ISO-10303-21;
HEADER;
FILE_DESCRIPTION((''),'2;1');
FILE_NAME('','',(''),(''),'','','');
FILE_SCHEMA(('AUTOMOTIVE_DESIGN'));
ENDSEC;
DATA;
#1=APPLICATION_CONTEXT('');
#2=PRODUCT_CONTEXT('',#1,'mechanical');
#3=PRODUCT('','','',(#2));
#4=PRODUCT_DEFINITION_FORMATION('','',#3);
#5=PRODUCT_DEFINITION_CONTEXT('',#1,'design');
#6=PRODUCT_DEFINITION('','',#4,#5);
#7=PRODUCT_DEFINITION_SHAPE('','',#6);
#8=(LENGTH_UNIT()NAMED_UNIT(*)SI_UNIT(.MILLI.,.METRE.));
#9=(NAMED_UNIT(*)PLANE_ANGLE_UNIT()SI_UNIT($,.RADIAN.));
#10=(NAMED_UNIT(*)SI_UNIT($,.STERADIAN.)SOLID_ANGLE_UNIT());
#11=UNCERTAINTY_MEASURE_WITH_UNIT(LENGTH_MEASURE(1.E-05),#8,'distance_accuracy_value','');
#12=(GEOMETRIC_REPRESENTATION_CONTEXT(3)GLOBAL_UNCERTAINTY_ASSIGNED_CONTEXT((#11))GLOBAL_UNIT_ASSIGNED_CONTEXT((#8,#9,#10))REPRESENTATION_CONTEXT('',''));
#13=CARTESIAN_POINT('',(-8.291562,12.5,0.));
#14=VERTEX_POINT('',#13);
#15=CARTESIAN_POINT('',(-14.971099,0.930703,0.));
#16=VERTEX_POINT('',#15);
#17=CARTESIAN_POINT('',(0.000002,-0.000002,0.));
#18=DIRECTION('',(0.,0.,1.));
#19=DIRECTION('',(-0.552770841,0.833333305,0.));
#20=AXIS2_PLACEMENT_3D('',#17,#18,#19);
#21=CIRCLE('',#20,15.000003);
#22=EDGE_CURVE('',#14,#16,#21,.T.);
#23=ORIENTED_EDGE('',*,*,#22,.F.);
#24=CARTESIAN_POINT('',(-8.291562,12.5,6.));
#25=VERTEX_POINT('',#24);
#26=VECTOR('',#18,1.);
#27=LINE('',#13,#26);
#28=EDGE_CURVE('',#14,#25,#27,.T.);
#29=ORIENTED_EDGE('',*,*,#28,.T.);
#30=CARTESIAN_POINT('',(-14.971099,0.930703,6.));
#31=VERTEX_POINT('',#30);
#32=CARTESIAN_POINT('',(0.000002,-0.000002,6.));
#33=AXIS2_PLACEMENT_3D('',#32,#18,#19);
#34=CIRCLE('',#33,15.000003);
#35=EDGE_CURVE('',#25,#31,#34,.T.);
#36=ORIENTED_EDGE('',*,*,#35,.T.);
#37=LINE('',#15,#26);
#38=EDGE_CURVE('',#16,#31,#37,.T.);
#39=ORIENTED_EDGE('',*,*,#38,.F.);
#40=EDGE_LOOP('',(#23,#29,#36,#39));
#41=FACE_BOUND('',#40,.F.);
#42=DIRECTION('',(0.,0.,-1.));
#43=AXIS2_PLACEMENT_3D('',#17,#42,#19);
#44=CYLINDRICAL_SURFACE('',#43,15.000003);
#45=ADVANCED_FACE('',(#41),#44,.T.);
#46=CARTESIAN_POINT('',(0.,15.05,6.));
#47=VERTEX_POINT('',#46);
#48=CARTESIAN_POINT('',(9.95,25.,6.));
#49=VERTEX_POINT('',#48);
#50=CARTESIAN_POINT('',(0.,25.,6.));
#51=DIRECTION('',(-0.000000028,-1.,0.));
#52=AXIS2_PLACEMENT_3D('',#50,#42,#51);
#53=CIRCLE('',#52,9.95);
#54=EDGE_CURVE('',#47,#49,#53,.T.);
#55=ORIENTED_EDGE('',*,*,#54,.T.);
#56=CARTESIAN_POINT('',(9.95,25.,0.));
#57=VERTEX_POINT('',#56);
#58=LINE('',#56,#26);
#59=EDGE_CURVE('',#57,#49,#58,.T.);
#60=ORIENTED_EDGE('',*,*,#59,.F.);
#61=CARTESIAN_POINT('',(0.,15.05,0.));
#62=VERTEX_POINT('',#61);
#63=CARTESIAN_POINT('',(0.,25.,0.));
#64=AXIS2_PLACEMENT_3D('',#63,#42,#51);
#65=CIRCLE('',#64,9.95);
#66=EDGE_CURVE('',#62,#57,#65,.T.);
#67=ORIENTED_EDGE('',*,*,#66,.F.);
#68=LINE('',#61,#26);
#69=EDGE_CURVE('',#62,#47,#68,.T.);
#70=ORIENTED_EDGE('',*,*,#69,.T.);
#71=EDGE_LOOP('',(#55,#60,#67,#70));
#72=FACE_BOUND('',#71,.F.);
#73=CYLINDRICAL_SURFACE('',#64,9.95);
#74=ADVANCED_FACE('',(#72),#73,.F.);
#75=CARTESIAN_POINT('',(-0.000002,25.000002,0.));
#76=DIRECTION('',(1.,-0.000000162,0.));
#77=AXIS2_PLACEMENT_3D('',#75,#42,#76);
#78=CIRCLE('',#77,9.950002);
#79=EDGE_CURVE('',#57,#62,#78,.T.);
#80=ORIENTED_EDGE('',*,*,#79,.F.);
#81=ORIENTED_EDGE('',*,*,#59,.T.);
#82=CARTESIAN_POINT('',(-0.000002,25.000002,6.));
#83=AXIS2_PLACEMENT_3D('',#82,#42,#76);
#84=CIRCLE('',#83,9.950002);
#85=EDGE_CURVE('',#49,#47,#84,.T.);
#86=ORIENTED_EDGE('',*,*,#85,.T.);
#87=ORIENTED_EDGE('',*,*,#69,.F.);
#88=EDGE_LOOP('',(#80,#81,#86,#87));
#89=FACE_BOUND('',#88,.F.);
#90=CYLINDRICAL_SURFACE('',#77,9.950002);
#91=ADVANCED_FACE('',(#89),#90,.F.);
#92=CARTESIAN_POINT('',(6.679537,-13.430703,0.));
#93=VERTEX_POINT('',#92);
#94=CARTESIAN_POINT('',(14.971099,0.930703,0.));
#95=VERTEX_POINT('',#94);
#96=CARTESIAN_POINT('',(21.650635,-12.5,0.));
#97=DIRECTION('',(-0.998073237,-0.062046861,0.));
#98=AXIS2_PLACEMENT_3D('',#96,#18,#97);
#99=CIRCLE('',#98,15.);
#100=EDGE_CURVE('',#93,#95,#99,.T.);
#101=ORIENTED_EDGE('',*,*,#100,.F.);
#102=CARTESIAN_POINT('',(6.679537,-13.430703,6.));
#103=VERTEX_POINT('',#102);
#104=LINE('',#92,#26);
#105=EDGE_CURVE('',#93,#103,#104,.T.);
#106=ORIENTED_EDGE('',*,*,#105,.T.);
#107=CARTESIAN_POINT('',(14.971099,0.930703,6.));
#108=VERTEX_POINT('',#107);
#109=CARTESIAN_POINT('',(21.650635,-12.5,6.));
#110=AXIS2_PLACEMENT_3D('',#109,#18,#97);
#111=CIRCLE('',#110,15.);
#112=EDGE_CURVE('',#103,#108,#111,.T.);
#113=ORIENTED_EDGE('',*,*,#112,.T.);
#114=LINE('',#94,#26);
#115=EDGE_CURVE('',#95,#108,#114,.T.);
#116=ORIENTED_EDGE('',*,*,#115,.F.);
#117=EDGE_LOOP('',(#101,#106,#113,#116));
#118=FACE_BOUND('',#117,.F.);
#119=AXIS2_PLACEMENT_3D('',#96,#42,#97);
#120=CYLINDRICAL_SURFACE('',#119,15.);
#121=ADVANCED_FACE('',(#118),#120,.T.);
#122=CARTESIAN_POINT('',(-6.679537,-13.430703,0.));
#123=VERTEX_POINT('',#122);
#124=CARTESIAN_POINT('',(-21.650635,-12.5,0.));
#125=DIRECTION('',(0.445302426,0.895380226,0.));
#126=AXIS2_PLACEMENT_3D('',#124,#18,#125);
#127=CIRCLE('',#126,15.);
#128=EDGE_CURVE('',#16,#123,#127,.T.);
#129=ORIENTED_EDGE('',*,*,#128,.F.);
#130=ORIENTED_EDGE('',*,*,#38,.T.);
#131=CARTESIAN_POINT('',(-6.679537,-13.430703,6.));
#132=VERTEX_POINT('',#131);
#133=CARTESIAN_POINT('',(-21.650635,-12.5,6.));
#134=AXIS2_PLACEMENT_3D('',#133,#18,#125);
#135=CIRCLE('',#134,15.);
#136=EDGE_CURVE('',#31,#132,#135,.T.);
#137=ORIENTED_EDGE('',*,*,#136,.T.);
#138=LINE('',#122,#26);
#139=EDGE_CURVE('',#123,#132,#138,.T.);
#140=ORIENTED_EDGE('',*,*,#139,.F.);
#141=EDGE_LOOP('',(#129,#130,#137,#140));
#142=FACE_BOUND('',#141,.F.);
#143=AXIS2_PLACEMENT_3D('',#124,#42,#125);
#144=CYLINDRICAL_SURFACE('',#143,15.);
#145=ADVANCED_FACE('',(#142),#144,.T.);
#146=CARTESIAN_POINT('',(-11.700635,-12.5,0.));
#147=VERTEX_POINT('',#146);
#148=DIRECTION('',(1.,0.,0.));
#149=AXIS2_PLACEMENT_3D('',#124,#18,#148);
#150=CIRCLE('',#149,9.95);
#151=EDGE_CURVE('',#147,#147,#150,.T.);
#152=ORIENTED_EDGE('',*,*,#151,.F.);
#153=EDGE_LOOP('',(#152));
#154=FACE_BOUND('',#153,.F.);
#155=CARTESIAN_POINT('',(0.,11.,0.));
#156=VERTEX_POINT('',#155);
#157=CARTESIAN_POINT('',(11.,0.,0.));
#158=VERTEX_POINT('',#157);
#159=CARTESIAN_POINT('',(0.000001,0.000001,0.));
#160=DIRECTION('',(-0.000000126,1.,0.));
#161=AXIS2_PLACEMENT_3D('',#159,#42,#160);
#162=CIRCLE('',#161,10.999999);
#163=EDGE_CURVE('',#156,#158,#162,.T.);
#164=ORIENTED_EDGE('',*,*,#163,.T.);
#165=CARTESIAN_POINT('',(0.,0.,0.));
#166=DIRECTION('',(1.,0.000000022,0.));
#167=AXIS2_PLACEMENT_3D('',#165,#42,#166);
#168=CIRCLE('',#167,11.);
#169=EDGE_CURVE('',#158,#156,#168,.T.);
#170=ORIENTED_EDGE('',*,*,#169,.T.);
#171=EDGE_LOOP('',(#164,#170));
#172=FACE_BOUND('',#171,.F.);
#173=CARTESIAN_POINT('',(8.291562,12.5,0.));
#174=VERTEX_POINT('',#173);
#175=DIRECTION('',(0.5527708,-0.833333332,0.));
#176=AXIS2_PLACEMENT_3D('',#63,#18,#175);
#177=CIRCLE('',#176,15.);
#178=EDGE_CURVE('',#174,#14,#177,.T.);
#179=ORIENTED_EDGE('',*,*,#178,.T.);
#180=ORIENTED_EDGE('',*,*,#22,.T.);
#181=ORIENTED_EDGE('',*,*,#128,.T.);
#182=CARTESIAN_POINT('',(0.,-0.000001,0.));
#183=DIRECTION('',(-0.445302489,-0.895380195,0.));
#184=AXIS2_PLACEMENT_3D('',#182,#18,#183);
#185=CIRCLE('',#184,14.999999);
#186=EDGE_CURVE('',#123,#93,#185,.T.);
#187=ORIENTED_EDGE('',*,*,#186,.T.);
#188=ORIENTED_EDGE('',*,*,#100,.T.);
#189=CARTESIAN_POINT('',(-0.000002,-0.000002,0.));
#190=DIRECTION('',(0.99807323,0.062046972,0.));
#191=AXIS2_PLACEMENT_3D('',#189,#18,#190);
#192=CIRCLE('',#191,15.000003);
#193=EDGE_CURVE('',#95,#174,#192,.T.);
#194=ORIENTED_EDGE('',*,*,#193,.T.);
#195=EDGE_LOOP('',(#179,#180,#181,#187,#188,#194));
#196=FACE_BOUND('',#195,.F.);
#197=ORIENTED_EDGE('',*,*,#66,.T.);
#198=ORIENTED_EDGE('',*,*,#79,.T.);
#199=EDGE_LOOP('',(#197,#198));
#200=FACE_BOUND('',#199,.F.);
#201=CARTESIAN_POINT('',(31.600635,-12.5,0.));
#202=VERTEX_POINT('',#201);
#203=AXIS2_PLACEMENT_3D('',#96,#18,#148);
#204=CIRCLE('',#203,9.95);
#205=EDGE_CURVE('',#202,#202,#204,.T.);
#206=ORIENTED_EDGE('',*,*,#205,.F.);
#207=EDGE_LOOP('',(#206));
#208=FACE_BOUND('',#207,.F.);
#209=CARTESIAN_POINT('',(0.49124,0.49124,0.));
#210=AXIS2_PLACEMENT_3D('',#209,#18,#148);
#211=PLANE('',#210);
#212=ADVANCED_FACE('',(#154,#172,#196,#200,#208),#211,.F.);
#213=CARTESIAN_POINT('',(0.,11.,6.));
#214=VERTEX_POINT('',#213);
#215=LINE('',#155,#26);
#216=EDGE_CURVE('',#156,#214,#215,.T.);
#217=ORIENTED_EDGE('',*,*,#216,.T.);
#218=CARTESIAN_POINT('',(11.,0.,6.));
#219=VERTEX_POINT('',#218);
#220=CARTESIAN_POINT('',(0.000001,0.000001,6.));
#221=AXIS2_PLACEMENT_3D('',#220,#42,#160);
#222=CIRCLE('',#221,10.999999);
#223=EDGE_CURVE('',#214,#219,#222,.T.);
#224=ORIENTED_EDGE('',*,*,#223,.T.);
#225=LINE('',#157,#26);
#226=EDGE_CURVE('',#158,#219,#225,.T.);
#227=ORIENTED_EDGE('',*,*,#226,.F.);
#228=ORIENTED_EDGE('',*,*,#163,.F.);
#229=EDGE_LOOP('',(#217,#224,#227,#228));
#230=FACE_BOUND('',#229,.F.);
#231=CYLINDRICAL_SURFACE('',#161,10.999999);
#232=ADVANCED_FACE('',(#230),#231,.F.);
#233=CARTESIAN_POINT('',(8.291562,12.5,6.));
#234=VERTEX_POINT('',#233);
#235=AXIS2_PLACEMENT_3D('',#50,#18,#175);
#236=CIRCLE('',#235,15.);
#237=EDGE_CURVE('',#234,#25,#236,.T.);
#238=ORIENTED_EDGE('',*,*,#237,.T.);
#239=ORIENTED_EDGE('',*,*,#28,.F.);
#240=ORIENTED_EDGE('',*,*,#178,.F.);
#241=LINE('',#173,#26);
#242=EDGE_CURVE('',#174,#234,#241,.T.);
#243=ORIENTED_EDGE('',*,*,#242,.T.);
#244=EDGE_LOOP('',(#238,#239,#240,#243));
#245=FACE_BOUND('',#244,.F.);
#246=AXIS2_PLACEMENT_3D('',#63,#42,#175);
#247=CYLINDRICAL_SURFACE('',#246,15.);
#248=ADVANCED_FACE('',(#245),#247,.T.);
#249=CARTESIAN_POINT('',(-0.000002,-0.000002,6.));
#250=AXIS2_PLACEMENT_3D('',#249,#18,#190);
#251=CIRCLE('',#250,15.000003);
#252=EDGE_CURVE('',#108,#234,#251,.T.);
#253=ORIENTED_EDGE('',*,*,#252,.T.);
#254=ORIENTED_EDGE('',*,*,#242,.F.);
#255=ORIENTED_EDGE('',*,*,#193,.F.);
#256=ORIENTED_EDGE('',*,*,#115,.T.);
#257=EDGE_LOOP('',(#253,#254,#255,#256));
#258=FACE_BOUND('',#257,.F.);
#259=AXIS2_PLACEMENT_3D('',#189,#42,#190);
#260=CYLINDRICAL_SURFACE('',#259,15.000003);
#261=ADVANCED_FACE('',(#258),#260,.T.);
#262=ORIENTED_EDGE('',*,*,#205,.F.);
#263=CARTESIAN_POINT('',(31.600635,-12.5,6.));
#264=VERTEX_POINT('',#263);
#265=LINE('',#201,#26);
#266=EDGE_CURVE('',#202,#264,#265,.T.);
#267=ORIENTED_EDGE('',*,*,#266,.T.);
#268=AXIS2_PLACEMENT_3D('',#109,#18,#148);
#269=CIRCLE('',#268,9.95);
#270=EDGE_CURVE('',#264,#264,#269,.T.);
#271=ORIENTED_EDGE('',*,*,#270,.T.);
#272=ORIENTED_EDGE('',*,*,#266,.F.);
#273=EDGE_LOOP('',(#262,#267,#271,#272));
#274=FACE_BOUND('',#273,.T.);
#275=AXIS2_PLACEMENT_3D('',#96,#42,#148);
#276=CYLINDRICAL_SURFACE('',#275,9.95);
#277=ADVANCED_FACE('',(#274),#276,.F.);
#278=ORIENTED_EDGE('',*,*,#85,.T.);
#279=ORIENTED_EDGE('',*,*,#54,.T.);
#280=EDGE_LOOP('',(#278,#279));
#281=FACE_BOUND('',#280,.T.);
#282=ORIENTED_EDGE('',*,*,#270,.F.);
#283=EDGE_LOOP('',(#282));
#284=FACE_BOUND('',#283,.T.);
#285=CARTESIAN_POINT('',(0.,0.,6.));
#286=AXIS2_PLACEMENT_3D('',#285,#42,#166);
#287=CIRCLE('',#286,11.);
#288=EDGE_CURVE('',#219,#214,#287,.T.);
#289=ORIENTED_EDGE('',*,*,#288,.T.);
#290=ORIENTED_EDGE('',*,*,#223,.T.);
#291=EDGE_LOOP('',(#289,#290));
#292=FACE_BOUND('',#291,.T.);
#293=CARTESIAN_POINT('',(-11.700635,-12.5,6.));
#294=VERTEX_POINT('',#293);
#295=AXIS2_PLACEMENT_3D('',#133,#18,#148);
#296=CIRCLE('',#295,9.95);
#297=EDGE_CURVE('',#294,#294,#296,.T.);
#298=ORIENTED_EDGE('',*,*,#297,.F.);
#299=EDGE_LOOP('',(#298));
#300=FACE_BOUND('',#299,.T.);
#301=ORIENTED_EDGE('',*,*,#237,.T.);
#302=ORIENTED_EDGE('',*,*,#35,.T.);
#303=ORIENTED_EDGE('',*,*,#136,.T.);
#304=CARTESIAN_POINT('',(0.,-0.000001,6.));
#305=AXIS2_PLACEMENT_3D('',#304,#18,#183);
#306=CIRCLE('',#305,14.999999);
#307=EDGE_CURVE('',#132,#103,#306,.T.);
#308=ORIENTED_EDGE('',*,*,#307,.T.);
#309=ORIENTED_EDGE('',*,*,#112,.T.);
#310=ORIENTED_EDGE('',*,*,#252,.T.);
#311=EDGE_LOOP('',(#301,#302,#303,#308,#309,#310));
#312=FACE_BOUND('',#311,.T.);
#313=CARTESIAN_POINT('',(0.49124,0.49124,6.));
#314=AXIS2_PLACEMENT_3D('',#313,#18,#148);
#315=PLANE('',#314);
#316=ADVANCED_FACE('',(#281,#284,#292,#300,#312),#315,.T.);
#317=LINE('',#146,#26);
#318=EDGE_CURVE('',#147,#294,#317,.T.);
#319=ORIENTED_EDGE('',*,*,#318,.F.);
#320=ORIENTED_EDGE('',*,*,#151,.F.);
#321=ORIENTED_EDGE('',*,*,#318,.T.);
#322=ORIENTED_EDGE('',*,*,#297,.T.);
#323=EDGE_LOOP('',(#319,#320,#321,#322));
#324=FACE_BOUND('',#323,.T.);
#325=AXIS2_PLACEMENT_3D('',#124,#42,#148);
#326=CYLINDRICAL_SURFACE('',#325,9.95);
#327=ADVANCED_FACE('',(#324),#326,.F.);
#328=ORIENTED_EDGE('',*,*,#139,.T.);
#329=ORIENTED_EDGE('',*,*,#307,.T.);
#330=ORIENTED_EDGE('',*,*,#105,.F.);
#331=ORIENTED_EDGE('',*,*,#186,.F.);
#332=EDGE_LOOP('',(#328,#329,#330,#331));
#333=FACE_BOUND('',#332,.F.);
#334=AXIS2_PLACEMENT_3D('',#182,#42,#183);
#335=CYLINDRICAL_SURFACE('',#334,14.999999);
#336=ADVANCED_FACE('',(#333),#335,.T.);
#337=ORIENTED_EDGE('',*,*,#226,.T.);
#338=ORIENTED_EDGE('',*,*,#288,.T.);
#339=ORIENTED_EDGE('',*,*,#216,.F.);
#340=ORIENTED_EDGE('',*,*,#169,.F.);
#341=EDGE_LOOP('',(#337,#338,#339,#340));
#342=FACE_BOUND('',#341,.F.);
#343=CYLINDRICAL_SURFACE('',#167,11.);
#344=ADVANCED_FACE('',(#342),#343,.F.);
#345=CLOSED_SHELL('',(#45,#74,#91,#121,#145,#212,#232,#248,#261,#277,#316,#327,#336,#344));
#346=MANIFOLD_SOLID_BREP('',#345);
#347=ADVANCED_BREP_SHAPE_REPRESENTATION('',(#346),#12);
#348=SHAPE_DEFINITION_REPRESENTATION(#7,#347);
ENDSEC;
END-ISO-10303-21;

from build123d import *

# Parameters (mm, degrees)
F0_R     = 9.95
F1_DEPTH = 6


with BuildPart() as f1:
    # F0 (on Top) → F1 (new body)
    with BuildSketch(Plane.XY):
        with BuildLine():
            ThreePointArc((0, 11), (-7.778175, -7.778175), (11, 0))
            ThreePointArc((11, 0), (7.778175, 7.778175), (0, 11))
        make_face()
        with BuildLine():
            ThreePointArc((9.95, 25), (-7.035712, 32.035712), (0, 15.05))
            ThreePointArc((0, 15.05), (7.035712, 17.964288), (9.95, 25))
        make_face()
        with BuildLine():
            ThreePointArc((8.291562, 12.5), (0, 40), (-8.291562, 12.5))
            ThreePointArc((-8.291562, 12.5), (-12.990381, 7.5), (-14.971099, 0.930703))
            ThreePointArc((-14.971099, 0.930703), (-34.641016, -20), (-6.679537, -13.430703))
            ThreePointArc((-6.679537, -13.430703), (0, -15), (6.679537, -13.430703))
            ThreePointArc((6.679537, -13.430703), (34.641016, -20), (14.971099, 0.930703))
            ThreePointArc((14.971099, 0.930703), (12.990381, 7.5), (8.291562, 12.5))
        make_face()
        with Locations((-21.650635, -12.5)):
            Circle(F0_R, mode=Mode.SUBTRACT)
        with Locations((21.650635, -12.5)):
            Circle(F0_R, mode=Mode.SUBTRACT)
        with BuildLine():
            ThreePointArc((0, 11), (7.778175, 7.778175), (11, 0))
            ThreePointArc((11, 0), (-7.778175, -7.778175), (0, 11))
        make_face(mode=Mode.SUBTRACT)
        with BuildLine():
            ThreePointArc((9.95, 25), (7.035712, 17.964288), (0, 15.05))
            ThreePointArc((0, 15.05), (-7.035712, 32.035712), (9.95, 25))
        make_face(mode=Mode.SUBTRACT)
    extrude(amount=F1_DEPTH)


solid = f1.part
